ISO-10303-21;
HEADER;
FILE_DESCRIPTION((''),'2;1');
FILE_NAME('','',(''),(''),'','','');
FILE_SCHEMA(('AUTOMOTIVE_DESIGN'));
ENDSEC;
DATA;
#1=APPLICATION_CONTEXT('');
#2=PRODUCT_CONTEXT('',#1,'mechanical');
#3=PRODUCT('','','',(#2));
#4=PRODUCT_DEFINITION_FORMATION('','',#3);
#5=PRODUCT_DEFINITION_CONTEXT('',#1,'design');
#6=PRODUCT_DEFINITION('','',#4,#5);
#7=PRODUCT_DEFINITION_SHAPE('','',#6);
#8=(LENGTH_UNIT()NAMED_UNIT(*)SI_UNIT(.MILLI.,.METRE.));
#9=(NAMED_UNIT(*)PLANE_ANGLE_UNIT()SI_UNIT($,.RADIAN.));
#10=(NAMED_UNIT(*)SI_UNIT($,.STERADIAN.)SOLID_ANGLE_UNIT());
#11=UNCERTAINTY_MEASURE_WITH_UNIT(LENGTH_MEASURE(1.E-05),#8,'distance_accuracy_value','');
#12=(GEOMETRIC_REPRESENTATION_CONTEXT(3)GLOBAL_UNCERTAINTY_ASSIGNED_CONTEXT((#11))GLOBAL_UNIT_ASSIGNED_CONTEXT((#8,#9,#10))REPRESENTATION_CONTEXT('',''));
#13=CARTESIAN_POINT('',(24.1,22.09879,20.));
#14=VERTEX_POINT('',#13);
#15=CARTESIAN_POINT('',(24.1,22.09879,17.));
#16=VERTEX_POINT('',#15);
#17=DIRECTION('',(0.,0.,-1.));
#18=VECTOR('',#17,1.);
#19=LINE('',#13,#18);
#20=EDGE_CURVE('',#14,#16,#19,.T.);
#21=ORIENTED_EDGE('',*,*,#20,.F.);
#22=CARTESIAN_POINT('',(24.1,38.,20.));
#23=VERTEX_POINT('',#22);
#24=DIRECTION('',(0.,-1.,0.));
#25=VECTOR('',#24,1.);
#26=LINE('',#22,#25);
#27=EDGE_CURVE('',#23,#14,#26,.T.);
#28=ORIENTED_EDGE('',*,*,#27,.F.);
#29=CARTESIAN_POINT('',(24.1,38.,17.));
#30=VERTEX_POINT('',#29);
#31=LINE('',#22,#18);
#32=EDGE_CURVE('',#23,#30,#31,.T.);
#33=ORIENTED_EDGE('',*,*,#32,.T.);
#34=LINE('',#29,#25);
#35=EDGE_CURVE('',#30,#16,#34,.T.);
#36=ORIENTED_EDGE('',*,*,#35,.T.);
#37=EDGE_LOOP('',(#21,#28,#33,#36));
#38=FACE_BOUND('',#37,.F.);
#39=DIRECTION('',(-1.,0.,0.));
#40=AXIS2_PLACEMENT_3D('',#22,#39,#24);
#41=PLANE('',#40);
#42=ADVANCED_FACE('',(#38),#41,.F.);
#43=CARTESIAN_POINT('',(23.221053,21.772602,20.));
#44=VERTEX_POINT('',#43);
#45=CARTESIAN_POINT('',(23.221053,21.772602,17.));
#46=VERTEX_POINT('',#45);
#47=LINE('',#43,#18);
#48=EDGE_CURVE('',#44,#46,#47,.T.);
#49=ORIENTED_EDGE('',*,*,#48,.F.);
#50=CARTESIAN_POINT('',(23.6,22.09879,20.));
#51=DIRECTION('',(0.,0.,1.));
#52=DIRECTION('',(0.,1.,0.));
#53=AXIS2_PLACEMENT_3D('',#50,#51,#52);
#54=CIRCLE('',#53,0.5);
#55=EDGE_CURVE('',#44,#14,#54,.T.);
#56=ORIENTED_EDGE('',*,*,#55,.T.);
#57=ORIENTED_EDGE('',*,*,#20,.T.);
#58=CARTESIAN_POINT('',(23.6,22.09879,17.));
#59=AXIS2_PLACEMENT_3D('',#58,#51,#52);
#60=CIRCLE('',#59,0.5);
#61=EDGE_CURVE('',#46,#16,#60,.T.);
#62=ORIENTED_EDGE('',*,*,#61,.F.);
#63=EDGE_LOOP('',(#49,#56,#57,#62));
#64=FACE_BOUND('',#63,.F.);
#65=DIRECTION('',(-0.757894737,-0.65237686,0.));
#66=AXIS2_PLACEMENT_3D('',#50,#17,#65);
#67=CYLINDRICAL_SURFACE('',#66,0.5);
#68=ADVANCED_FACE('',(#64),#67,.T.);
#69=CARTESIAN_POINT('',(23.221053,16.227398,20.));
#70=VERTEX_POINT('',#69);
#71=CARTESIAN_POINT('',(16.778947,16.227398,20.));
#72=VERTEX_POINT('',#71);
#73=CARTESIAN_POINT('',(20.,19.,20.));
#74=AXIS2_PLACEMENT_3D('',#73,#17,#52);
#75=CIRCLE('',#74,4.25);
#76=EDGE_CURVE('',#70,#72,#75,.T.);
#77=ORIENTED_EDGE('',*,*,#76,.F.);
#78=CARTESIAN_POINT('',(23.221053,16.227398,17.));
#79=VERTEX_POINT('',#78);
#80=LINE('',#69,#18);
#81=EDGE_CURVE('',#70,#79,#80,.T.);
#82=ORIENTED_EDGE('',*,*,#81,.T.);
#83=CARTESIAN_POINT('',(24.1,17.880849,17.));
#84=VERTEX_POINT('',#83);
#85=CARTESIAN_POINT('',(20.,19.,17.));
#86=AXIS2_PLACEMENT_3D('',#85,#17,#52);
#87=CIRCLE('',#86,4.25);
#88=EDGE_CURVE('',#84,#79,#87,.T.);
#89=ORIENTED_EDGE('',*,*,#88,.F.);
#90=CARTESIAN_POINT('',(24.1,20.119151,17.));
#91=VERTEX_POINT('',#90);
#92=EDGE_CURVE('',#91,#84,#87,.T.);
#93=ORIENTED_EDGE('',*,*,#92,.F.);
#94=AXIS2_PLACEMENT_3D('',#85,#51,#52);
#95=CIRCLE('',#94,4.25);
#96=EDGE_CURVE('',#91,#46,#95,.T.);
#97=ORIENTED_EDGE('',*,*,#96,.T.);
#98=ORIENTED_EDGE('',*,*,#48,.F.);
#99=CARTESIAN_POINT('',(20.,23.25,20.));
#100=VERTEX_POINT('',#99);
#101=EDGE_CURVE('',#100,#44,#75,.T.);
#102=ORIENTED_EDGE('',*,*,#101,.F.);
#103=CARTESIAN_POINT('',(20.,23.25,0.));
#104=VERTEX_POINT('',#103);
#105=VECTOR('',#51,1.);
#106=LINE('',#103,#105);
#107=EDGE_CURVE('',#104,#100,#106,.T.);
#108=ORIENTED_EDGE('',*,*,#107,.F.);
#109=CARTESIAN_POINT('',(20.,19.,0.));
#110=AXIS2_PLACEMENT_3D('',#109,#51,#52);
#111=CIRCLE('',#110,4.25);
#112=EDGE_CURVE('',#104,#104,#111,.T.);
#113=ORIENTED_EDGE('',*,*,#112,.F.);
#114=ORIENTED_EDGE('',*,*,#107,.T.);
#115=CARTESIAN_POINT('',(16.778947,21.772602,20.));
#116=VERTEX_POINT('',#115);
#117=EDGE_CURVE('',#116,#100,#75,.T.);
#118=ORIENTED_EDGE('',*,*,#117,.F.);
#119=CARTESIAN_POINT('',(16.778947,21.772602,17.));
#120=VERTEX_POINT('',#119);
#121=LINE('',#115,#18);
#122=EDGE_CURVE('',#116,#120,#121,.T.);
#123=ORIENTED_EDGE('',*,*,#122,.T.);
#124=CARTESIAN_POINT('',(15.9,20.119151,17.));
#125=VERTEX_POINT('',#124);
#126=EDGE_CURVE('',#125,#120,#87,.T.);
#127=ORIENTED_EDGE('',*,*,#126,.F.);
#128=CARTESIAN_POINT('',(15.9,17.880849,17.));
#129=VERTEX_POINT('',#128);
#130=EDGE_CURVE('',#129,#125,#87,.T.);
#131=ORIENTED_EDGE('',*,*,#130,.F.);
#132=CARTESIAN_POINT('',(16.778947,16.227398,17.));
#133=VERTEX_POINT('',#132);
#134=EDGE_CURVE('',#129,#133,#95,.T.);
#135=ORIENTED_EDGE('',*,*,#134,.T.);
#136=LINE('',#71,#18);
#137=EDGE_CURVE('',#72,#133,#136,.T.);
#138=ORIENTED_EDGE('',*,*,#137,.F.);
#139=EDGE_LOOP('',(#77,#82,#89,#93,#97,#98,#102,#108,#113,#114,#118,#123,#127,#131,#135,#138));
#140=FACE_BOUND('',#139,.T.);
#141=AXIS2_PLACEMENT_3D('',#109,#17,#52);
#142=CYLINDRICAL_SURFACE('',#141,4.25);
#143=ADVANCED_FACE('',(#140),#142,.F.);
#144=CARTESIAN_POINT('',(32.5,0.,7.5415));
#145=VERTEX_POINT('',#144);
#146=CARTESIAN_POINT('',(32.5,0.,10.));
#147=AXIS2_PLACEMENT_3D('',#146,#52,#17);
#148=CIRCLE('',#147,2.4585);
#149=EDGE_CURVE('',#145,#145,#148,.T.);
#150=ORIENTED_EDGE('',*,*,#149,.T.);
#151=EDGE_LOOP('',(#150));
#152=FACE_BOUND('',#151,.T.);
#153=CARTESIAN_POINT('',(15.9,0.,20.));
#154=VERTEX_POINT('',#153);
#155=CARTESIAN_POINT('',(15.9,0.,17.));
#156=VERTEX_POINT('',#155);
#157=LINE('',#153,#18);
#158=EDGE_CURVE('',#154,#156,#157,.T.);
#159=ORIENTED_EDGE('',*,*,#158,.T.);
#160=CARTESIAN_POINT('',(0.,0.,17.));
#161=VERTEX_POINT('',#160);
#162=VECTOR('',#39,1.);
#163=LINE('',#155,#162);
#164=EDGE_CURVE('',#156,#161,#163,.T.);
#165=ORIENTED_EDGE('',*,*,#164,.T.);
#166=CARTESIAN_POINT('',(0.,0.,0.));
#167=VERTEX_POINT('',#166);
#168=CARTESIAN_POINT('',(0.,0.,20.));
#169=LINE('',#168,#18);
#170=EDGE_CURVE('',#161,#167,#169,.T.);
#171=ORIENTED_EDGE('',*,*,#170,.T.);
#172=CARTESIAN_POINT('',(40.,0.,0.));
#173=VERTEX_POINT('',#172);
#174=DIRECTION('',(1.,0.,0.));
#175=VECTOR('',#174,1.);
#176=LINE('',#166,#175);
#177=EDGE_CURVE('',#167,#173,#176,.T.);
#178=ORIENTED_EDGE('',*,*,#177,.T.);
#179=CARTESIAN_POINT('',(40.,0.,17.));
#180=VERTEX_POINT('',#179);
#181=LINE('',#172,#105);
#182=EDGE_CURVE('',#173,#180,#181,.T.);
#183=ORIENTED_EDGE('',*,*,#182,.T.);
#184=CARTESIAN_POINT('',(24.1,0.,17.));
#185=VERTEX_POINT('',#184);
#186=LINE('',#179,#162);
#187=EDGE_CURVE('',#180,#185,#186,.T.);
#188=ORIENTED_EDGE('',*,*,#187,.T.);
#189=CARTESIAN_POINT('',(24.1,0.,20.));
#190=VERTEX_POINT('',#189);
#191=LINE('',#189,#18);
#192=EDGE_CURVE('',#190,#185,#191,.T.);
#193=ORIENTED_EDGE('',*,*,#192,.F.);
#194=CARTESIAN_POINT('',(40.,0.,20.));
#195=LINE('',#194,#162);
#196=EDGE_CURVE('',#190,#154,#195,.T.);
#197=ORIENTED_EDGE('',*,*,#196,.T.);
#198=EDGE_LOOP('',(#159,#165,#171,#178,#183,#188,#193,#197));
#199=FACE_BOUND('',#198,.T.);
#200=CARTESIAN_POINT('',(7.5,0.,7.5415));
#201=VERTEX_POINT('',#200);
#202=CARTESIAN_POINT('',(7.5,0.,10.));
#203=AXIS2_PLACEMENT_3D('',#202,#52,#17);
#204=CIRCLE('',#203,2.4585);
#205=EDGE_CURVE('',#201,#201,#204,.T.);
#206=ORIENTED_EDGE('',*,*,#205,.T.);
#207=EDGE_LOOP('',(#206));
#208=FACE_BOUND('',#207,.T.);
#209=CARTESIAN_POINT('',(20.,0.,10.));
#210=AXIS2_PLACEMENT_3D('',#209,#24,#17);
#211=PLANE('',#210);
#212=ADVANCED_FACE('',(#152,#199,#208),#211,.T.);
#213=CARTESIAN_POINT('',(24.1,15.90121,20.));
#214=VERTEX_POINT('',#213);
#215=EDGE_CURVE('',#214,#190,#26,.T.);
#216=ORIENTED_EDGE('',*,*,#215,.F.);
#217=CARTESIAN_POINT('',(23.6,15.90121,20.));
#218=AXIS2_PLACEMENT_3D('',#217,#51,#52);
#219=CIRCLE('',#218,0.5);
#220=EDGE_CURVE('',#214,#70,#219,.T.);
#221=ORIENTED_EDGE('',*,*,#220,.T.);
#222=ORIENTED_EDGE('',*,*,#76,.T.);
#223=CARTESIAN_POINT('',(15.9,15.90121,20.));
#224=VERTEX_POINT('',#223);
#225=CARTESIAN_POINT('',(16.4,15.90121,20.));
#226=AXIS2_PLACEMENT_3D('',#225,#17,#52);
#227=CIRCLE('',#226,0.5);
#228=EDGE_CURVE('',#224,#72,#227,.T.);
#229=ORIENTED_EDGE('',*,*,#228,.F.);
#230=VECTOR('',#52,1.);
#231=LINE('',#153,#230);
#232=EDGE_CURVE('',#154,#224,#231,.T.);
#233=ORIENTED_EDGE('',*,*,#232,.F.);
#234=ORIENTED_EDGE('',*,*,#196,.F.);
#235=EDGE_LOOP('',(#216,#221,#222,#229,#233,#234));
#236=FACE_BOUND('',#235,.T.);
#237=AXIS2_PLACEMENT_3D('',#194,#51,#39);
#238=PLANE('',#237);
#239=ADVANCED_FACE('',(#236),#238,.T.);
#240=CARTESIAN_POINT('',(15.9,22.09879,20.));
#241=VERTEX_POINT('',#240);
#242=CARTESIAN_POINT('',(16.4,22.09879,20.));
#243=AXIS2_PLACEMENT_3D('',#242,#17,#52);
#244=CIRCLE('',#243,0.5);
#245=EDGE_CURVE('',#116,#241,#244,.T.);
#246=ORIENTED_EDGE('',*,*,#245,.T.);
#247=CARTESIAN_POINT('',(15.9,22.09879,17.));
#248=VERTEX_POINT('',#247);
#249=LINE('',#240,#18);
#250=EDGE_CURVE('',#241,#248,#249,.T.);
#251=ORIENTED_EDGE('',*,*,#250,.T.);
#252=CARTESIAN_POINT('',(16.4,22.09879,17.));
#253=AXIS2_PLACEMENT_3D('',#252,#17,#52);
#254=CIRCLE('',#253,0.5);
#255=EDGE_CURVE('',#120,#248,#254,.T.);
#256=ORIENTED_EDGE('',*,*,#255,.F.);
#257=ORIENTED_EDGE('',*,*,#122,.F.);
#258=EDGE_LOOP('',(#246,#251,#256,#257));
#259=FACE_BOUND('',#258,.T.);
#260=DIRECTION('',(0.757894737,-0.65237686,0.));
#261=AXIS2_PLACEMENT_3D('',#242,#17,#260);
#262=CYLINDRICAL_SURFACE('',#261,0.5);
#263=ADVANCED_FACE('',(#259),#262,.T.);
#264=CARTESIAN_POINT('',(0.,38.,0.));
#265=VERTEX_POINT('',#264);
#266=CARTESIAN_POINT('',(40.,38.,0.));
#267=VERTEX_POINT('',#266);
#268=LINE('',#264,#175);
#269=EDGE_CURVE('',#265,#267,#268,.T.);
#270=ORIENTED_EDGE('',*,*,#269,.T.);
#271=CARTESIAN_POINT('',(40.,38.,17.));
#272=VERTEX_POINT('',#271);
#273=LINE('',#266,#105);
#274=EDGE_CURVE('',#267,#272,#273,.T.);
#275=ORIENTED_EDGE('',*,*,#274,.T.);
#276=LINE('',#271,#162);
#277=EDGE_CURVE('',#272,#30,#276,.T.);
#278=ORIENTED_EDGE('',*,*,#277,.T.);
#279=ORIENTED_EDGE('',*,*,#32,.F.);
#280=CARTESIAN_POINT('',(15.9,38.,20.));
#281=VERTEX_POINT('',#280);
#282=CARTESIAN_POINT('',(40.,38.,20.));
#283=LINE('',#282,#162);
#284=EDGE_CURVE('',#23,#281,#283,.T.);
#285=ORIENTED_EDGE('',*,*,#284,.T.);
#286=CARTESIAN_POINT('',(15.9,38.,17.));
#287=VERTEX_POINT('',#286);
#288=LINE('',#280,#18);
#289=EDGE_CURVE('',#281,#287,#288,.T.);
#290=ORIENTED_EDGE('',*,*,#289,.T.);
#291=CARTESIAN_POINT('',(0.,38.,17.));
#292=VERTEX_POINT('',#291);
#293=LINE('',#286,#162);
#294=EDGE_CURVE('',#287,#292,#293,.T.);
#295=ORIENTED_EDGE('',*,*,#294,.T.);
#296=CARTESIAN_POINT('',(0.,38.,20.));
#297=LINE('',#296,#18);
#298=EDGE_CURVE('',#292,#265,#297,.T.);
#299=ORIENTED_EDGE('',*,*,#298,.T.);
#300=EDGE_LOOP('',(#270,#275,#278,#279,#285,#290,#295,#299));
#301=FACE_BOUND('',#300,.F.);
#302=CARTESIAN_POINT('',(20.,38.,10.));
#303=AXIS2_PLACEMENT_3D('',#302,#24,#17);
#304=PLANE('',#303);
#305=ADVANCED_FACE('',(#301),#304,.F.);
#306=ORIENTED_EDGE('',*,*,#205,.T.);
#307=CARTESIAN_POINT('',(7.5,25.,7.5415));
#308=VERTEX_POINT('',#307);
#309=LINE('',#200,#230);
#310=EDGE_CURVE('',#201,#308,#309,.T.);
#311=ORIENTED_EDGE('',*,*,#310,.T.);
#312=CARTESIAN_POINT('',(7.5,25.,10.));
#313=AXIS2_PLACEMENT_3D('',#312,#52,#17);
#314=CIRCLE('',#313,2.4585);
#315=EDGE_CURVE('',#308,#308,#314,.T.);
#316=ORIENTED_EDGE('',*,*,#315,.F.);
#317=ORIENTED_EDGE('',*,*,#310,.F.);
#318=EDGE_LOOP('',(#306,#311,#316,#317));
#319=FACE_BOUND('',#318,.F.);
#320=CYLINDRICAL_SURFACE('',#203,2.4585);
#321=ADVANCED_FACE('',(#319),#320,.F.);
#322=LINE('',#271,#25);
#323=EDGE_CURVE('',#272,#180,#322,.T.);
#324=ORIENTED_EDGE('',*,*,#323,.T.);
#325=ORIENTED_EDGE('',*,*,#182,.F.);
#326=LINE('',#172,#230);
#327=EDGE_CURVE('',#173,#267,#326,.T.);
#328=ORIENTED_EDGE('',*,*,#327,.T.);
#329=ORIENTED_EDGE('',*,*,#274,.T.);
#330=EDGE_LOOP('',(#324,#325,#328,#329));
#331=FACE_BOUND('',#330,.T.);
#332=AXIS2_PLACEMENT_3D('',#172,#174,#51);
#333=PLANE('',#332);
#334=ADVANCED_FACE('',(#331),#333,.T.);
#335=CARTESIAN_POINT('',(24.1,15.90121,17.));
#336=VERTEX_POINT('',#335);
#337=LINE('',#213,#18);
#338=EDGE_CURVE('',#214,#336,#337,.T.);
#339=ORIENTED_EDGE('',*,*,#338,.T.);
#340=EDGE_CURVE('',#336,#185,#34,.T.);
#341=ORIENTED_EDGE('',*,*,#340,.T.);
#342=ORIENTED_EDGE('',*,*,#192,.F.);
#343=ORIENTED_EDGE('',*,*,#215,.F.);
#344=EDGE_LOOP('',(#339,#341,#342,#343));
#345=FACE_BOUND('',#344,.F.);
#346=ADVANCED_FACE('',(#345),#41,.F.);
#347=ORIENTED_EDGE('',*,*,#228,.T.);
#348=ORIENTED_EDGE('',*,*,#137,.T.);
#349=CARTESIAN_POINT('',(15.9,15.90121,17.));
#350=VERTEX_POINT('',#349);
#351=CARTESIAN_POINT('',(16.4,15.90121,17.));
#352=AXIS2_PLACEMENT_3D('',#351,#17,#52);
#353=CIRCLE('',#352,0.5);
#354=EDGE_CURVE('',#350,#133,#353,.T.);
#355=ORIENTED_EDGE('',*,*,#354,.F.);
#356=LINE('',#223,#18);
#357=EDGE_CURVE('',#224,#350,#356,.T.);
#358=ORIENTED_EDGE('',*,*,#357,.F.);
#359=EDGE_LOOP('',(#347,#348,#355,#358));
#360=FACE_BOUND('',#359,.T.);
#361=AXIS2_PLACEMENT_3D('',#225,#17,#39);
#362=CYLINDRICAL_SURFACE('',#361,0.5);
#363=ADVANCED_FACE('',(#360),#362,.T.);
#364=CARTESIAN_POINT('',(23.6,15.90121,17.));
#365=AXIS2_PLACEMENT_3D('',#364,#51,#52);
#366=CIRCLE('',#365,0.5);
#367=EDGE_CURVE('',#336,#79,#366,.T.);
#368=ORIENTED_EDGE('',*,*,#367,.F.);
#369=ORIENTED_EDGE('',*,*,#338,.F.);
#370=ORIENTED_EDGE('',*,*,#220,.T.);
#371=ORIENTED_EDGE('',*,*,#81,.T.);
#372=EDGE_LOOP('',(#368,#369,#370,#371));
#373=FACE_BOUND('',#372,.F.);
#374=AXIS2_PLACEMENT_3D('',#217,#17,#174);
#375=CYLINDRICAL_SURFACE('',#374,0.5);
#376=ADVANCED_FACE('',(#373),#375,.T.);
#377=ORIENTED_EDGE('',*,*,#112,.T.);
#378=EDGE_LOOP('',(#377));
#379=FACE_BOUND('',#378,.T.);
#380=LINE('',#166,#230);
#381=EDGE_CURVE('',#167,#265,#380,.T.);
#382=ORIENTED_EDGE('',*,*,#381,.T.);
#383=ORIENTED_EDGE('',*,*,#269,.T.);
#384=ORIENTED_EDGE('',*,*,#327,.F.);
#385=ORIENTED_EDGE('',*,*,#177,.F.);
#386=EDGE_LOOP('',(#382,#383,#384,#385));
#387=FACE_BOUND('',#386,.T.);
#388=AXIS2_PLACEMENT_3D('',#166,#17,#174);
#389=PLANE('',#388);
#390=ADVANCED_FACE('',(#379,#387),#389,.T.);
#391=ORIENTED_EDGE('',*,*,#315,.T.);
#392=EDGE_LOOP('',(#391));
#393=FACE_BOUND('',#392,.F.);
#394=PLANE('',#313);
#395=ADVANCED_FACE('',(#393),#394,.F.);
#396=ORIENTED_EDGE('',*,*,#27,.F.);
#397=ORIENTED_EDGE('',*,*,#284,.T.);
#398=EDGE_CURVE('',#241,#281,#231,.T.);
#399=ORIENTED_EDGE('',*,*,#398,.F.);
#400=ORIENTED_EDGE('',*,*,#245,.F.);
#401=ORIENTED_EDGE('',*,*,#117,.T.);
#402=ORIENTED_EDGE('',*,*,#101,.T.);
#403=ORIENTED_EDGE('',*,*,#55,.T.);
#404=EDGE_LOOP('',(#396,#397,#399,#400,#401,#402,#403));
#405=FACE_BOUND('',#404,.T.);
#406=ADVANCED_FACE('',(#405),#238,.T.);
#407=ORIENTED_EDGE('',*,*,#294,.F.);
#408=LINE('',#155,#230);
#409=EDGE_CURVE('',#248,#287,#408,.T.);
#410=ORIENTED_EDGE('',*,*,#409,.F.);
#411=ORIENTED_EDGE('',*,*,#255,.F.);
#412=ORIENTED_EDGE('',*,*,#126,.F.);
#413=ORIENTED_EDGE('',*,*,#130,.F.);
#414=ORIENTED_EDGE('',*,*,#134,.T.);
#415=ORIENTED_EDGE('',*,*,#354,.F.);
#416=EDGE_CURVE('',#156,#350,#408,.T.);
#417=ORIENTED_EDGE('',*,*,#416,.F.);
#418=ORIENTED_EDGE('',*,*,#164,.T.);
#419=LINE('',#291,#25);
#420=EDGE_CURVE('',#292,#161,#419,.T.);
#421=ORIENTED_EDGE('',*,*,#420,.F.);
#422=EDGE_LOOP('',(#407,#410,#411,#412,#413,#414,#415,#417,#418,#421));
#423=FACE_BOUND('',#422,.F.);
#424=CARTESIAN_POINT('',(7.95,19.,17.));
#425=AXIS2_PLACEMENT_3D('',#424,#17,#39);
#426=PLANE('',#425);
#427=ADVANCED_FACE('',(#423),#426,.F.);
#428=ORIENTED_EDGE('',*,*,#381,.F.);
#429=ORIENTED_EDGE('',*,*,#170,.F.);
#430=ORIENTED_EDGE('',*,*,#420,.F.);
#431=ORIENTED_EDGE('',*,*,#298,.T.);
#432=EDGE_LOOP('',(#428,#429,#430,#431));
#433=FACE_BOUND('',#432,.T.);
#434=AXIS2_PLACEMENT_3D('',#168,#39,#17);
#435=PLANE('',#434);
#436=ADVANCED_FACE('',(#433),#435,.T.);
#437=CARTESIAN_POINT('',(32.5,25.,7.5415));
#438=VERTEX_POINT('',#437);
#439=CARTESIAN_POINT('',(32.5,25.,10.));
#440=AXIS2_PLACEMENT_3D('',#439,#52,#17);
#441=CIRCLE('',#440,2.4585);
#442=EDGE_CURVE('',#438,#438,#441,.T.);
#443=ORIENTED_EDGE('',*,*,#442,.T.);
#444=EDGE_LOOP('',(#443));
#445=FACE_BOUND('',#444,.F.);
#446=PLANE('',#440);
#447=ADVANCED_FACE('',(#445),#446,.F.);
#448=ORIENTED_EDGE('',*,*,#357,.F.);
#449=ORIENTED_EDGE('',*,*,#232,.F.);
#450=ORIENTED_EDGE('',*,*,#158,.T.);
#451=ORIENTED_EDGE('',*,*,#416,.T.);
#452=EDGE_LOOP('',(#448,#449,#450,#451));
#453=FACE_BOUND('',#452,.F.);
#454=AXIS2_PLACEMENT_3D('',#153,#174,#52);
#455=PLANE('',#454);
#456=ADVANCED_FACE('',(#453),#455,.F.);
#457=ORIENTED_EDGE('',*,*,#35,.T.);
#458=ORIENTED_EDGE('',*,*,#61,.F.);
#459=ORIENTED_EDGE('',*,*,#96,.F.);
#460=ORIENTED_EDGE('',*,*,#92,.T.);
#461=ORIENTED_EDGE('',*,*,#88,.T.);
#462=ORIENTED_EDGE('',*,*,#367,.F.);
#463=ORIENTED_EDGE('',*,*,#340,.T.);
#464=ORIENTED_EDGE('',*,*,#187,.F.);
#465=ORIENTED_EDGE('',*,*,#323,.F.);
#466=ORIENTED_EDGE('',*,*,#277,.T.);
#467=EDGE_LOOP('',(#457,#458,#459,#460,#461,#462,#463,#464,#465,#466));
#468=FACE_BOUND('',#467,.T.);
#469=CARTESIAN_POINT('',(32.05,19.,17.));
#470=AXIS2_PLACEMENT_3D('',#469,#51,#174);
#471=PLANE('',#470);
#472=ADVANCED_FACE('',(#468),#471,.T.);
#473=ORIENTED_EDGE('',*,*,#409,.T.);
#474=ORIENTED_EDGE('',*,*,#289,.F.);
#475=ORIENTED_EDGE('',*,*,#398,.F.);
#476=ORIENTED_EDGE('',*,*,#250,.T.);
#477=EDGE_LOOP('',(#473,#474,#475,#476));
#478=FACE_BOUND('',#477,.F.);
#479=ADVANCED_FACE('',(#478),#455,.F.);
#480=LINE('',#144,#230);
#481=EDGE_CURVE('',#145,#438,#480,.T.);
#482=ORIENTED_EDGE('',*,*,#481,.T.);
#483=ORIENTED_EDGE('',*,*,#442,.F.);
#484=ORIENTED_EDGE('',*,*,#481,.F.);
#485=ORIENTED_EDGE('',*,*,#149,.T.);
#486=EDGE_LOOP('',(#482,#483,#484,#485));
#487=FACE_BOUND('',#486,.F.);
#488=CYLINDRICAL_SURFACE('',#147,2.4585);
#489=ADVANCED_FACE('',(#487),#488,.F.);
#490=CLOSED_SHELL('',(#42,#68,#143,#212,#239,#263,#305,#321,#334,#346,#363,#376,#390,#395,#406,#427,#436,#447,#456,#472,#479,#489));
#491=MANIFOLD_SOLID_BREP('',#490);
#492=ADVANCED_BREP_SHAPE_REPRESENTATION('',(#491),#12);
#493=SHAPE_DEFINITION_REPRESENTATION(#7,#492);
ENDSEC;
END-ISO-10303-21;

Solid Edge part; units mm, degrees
sketch "Sketch1" plane through (0, 0, 0) normal (0, -1, 0) x (1, 0, 0)
  line L0 (40, 0) -> (40, 20)
  line L1 (40, 20) -> (0, 20)
  line L2 (0, 20) -> (0, 0)
  line L3 (0, 0) -> (40, 0)
extrude "Protrusion1" add sketch "Sketch1" against normal blind 38
hole "Bohrung_1" at (7.5, 0, 10) direction (0, 1, 0) diameter 4.917 depth 25 thread major 6 thread length 20
hole "Hole1" at (32.5, 0, 10) direction (0, 1, 0) diameter 4.917 depth 25 thread major 6 thread length 20
sketch "Sketch2" plane through (20, 19, 20) normal (0, 0, 1) x (0, 1, 0)
  line L0 (-19, 4.1) -> (-19, 20)
  line L1 (19, 20) -> (-19, 20)
  line L2 (19, 4.1) -> (19, 20)
  line L3 (-19, 4.1) -> (19, 4.1)
  line L4 (19, -20) -> (19, -4.1)
  line L5 (19, -4.1) -> (-19, -4.1)
  line L6 (-19, -20) -> (-19, -4.1)
  line L7 (19, -20) -> (-19, -20)
extrude "Extrusionsausschnitt_1" cut sketch "Sketch2" against normal blind 3
hole "Bohrung_4" at (20, 19, 0) direction (0, 0, 1) diameter 8.5 end through all
fillet "Verrundung_2" radius 0.5 4 edges at (24.1, 17.8808, 18.5) (15.9, 17.8808, 18.5) (15.9, 20.1192, 18.5) (24.1, 20.1192, 18.5)
